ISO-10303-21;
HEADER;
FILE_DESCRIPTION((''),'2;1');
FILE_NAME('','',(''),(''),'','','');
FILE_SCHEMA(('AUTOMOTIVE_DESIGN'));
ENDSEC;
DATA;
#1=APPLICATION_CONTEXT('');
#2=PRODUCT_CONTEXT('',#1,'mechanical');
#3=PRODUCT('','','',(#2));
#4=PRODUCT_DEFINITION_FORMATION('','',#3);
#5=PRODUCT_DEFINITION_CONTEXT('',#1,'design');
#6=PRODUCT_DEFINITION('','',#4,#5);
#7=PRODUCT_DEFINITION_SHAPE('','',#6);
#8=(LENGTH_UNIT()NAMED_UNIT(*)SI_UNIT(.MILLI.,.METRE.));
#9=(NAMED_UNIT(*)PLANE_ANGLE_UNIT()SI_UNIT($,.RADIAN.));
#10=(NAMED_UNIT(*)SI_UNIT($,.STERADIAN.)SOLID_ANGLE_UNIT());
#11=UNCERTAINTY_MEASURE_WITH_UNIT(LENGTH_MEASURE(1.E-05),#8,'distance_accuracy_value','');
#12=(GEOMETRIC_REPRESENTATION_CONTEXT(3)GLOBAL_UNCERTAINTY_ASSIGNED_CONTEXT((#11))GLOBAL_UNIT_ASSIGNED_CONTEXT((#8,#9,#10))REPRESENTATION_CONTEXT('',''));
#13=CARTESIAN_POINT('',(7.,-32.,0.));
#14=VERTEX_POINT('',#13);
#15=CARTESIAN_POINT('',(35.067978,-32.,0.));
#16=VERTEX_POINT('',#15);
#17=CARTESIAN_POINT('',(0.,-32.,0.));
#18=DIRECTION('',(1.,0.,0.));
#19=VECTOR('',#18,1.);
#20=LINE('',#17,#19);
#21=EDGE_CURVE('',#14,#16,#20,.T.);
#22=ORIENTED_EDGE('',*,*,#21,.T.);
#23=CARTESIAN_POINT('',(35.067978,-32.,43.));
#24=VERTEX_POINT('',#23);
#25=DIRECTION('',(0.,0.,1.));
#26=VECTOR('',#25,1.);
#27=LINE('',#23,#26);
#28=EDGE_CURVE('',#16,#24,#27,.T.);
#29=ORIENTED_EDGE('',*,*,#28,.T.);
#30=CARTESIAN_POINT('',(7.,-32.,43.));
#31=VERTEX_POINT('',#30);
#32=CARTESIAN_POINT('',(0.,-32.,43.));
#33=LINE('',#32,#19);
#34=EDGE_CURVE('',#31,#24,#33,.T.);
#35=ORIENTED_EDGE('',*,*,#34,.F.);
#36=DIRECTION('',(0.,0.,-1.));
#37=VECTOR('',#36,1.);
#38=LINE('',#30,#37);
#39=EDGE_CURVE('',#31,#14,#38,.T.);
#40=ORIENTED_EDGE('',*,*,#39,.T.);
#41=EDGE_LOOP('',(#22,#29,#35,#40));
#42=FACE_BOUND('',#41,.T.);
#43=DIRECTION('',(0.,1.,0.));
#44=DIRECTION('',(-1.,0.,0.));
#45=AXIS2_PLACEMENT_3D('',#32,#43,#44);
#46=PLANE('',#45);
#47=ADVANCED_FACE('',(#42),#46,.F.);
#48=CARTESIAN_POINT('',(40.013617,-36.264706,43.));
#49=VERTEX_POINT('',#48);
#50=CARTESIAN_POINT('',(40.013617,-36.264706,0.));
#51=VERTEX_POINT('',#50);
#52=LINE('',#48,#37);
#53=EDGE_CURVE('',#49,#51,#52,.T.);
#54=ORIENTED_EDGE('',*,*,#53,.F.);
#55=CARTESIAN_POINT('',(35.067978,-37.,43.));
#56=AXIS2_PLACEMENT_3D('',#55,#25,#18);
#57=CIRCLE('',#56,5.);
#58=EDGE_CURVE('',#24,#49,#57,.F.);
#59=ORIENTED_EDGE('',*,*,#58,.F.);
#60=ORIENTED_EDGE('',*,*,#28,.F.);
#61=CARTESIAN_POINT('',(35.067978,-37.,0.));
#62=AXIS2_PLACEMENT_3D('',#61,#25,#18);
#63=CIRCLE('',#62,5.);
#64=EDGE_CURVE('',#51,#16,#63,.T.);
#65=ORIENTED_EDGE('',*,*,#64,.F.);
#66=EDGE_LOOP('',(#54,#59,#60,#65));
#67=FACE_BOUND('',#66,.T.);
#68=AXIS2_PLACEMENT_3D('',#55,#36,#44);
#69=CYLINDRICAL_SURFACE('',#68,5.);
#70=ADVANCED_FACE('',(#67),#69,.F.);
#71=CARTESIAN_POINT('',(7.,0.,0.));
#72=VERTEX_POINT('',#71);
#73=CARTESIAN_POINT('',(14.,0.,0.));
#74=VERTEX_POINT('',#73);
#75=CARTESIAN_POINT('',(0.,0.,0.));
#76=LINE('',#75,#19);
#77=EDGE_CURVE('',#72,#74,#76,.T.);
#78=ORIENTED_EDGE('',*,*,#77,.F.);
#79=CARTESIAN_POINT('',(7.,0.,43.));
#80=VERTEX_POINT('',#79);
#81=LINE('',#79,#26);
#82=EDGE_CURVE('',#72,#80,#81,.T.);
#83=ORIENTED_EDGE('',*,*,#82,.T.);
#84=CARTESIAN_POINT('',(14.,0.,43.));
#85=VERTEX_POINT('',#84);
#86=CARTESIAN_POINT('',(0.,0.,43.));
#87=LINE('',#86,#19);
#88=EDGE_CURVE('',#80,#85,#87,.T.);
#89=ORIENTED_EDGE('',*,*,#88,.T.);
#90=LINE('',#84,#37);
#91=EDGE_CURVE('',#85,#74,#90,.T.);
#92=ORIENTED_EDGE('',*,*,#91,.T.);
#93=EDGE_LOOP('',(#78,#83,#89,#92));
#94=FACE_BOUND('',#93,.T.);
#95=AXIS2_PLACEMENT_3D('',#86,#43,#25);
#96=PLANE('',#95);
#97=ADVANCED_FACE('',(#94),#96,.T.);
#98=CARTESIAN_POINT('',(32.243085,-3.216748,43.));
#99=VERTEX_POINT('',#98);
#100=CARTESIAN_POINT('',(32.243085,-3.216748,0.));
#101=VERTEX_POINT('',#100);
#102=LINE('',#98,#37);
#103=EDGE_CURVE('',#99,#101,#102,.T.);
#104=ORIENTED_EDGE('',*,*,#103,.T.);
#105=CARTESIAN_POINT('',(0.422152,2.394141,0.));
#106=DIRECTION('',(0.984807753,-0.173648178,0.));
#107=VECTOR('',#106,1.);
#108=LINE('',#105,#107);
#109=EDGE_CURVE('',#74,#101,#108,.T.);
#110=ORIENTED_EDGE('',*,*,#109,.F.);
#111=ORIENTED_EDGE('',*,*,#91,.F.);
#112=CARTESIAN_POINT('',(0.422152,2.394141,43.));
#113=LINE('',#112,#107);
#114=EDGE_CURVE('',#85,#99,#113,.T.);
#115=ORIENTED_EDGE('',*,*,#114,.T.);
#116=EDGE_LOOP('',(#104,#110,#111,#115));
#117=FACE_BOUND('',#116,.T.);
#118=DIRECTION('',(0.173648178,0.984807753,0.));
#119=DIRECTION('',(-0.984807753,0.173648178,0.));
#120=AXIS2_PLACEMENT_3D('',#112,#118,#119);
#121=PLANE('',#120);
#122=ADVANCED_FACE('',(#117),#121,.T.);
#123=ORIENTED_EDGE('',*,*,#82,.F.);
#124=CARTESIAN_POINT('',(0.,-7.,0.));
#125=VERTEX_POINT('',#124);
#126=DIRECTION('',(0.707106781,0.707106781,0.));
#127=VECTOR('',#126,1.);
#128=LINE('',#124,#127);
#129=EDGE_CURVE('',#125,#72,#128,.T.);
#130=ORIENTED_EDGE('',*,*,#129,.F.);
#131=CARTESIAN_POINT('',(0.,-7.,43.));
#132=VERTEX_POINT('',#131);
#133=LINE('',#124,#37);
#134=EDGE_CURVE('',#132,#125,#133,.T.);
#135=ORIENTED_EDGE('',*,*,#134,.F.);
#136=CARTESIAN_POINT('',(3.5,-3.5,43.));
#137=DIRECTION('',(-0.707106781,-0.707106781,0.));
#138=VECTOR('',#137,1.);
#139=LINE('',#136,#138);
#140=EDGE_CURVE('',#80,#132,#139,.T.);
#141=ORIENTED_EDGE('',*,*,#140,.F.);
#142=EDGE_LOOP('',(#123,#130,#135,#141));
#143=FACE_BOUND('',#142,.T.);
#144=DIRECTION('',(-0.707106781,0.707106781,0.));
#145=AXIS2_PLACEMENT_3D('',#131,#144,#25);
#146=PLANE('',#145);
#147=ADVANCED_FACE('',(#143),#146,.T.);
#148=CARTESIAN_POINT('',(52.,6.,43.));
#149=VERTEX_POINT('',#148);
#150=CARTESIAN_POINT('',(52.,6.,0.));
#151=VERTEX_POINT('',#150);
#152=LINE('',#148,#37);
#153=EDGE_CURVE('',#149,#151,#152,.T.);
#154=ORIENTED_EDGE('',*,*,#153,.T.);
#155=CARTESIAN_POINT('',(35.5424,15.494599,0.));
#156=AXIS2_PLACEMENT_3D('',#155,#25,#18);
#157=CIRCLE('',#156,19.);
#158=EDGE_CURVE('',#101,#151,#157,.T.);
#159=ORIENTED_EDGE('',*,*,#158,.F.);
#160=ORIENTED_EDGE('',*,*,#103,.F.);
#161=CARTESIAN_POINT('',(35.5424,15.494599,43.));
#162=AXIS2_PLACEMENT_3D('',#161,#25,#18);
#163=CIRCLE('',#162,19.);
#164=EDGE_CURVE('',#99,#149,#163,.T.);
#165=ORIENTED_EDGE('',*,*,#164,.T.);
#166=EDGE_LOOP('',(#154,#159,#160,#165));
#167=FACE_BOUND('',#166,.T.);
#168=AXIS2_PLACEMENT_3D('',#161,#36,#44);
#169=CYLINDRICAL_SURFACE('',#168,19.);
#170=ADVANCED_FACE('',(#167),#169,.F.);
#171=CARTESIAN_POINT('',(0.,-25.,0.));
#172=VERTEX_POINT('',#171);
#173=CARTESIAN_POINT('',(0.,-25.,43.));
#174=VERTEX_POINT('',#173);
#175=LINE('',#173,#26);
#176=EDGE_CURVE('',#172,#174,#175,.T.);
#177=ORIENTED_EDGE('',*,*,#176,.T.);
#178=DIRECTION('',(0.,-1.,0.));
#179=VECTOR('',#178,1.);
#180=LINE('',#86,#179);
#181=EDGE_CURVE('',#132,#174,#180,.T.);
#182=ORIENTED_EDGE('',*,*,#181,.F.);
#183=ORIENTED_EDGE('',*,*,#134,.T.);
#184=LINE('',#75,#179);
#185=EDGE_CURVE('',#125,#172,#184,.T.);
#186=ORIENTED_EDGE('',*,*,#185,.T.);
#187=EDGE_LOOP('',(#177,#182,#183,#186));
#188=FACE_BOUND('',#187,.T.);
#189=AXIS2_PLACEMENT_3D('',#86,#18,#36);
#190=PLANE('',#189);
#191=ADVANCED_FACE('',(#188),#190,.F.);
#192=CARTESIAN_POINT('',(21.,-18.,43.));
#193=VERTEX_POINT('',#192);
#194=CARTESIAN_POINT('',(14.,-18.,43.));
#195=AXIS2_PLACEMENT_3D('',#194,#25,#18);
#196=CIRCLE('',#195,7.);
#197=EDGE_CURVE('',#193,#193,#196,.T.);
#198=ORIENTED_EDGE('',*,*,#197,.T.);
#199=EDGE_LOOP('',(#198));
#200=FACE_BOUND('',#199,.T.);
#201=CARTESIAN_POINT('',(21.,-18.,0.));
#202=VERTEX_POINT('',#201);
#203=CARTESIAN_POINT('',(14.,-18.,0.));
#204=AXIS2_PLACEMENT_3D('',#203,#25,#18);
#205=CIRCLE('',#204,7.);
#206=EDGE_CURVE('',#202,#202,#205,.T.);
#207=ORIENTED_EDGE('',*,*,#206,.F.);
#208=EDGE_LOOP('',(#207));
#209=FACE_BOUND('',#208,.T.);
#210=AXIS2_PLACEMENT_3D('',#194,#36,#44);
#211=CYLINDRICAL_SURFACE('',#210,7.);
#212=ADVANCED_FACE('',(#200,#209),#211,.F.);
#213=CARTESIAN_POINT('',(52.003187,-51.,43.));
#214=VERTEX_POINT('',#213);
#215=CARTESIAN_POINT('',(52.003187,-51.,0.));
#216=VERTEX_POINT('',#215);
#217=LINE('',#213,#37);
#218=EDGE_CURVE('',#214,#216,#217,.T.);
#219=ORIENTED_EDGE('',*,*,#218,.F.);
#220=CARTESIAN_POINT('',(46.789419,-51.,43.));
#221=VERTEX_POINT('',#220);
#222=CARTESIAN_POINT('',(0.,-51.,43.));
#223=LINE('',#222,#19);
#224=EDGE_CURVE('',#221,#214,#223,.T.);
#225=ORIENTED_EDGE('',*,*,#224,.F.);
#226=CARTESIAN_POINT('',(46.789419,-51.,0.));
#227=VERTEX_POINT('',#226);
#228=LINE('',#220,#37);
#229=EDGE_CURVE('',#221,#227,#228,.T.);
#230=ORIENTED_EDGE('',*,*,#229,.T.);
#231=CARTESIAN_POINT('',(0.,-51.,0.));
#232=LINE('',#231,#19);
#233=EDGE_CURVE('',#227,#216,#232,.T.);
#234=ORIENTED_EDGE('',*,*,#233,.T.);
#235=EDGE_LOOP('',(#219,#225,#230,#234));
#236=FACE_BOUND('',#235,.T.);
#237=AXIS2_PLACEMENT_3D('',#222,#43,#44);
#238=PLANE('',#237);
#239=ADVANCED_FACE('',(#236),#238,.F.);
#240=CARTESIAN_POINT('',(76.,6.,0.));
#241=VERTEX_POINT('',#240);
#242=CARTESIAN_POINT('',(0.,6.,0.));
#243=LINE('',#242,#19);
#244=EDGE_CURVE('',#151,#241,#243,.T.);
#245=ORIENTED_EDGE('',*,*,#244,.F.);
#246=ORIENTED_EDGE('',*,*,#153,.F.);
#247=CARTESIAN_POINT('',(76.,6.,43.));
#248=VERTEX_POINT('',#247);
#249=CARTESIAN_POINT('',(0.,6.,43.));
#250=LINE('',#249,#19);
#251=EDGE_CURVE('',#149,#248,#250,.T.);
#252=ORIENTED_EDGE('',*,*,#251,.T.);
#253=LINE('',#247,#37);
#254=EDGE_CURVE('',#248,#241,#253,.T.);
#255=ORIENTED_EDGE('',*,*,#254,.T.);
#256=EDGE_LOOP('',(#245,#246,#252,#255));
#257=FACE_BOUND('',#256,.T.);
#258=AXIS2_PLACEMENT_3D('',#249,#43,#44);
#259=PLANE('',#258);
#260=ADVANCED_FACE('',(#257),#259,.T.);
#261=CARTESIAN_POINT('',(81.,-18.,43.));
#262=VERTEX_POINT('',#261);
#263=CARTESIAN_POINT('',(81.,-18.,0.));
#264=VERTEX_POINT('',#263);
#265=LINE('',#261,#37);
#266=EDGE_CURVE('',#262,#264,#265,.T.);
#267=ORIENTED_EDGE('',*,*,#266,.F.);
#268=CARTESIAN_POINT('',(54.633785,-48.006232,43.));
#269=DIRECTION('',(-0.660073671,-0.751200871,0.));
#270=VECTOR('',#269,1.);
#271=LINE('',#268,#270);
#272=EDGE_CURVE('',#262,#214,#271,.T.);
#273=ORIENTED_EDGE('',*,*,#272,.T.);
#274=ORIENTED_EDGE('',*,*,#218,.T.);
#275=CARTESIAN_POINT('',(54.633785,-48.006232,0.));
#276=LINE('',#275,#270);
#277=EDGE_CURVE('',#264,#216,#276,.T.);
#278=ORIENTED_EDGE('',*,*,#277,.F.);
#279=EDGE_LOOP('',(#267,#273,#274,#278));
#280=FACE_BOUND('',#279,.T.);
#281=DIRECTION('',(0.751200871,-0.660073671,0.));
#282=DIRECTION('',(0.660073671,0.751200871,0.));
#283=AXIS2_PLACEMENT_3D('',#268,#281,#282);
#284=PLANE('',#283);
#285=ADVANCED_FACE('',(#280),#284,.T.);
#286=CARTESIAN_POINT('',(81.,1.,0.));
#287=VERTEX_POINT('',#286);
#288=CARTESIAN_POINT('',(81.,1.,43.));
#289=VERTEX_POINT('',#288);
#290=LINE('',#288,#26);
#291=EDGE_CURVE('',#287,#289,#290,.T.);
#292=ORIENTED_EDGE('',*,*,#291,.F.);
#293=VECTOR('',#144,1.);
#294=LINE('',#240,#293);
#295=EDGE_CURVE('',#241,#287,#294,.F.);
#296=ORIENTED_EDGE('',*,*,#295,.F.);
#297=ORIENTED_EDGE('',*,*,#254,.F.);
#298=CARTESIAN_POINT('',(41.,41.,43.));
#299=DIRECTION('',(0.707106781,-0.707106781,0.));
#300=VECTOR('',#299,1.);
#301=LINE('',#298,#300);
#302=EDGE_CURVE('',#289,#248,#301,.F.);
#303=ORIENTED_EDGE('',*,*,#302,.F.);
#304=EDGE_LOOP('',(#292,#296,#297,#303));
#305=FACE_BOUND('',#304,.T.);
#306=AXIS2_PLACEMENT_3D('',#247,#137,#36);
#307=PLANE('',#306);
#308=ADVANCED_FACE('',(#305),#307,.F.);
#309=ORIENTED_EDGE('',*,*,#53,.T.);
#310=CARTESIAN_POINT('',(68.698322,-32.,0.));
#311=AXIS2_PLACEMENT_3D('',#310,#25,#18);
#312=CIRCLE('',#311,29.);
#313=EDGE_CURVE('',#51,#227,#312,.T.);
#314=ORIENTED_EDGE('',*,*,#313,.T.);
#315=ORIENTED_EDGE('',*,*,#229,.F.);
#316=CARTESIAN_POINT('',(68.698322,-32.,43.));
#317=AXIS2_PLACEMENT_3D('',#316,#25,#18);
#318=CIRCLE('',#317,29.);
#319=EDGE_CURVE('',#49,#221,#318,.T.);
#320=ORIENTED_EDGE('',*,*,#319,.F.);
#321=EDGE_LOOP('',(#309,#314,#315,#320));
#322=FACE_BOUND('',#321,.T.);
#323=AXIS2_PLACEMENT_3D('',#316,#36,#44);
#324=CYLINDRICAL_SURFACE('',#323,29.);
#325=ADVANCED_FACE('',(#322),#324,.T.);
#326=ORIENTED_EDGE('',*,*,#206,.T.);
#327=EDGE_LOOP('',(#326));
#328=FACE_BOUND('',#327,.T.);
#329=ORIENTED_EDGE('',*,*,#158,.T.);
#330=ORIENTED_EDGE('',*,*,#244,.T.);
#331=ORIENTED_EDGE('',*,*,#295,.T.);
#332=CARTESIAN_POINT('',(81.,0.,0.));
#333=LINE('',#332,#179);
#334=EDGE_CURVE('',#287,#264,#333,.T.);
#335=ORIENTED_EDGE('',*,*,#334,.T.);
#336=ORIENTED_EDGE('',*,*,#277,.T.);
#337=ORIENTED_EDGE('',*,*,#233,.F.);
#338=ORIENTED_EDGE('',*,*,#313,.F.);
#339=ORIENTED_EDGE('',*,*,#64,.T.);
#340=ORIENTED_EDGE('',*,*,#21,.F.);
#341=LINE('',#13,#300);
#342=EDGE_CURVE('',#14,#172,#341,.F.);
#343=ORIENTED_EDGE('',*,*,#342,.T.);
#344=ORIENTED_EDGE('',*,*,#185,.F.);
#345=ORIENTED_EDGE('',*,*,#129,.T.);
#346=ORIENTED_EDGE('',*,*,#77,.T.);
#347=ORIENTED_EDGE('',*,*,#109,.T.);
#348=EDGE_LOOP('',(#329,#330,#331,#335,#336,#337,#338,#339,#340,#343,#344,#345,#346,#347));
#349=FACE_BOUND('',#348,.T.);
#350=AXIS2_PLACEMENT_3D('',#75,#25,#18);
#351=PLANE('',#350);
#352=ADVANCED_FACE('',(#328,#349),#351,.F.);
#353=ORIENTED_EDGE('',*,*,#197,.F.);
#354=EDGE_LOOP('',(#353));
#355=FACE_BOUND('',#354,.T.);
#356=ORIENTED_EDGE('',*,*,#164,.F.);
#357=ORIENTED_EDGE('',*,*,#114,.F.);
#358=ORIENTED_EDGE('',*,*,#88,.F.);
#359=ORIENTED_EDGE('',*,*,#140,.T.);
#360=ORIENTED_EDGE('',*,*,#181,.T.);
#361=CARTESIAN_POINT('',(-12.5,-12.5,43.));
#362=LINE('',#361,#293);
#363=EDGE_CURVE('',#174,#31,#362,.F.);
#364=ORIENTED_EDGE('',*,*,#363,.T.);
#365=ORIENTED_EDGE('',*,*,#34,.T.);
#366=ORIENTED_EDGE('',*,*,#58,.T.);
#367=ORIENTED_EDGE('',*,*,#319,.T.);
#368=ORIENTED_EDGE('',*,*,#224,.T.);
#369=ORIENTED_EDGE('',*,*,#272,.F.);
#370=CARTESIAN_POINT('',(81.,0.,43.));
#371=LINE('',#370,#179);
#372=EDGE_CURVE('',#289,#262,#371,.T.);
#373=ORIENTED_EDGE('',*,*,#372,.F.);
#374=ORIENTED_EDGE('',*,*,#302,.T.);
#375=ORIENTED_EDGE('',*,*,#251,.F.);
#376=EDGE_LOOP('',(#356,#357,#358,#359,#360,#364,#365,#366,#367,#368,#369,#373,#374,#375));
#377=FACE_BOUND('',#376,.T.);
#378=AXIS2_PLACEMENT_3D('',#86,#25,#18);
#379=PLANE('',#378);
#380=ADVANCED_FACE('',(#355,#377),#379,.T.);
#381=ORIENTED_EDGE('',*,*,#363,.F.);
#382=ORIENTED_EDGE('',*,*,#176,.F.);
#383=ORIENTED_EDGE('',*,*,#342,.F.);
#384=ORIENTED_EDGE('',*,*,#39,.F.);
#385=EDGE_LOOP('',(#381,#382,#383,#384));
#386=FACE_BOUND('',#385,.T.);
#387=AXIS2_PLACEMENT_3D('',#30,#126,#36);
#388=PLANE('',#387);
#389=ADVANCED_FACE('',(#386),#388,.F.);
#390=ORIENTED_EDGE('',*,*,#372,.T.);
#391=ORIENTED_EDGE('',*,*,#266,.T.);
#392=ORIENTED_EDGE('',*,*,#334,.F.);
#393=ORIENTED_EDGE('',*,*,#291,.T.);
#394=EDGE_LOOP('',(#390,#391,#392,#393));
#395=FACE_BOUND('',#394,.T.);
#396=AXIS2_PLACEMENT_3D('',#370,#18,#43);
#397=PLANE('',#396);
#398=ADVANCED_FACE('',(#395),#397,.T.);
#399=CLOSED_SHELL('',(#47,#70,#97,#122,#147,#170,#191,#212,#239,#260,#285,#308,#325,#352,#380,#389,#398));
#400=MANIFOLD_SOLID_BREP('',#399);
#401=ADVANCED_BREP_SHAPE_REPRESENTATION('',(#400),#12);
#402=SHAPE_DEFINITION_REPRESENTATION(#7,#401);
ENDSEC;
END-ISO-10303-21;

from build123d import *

# Parameters (mm, degrees)
SKETCH1_R           = 7
BOSS_EXTRUDE1_DEPTH = 43
CHAMFER1_SIZE       = 7
CHAMFER2_SIZE       = 7
CHAMFER3_SIZE       = 5
FILLET1_R           = 5


with BuildPart() as part:
    # Sketch1 → Boss-Extrude1 (new body)
    with BuildSketch(Plane.XY):
        with BuildLine():
            Line((14, 0), (0, 0))
            Line((0, 0), (0, -32))
            Line((0, -32), (39.698321338, -32))
            ThreePointArc((39.698321338, -32), (41.528870011, -42.140064899), (46.789418898, -51))
            Line((46.789418898, -51), (52.00318703, -51))
            Line((52.00318703, -51), (81, -18))
            Line((81, -18), (81, 6))
            Line((81, 6), (52, 6))
            ThreePointArc((52, 6), (43.574972961, -1.723930849), (32.243084988, -3.216748095))
            Line((32.243084988, -3.216748095), (14, 0))
        make_face()
        with Locations((14, -18)):
            Circle(SKETCH1_R, mode=Mode.SUBTRACT)
    extrude(amount=BOSS_EXTRUDE1_DEPTH)

    # Chamfer1
    chamfer1_edges = [part.edges().sort_by_distance(p)[0] for p in [
        (0, 0, 21.5),
    ]]
    chamfer(chamfer1_edges, length=CHAMFER1_SIZE)

    # Chamfer2
    chamfer2_edges = [part.edges().sort_by_distance(p)[0] for p in [
        (0, -32, 21.5),
    ]]
    chamfer(chamfer2_edges, length=CHAMFER2_SIZE)

    # Chamfer3
    chamfer3_edges = [part.edges().sort_by_distance(p)[0] for p in [
        (81, 6, 21.5),
    ]]
    chamfer(chamfer3_edges, length=CHAMFER3_SIZE)

    # Fillet1
    fillet1_edges = [part.edges().sort_by_distance(p)[0] for p in [
        (39.698321338, -32, 21.5),
    ]]
    fillet(fillet1_edges, radius=FILLET1_R)


solid = part.part
